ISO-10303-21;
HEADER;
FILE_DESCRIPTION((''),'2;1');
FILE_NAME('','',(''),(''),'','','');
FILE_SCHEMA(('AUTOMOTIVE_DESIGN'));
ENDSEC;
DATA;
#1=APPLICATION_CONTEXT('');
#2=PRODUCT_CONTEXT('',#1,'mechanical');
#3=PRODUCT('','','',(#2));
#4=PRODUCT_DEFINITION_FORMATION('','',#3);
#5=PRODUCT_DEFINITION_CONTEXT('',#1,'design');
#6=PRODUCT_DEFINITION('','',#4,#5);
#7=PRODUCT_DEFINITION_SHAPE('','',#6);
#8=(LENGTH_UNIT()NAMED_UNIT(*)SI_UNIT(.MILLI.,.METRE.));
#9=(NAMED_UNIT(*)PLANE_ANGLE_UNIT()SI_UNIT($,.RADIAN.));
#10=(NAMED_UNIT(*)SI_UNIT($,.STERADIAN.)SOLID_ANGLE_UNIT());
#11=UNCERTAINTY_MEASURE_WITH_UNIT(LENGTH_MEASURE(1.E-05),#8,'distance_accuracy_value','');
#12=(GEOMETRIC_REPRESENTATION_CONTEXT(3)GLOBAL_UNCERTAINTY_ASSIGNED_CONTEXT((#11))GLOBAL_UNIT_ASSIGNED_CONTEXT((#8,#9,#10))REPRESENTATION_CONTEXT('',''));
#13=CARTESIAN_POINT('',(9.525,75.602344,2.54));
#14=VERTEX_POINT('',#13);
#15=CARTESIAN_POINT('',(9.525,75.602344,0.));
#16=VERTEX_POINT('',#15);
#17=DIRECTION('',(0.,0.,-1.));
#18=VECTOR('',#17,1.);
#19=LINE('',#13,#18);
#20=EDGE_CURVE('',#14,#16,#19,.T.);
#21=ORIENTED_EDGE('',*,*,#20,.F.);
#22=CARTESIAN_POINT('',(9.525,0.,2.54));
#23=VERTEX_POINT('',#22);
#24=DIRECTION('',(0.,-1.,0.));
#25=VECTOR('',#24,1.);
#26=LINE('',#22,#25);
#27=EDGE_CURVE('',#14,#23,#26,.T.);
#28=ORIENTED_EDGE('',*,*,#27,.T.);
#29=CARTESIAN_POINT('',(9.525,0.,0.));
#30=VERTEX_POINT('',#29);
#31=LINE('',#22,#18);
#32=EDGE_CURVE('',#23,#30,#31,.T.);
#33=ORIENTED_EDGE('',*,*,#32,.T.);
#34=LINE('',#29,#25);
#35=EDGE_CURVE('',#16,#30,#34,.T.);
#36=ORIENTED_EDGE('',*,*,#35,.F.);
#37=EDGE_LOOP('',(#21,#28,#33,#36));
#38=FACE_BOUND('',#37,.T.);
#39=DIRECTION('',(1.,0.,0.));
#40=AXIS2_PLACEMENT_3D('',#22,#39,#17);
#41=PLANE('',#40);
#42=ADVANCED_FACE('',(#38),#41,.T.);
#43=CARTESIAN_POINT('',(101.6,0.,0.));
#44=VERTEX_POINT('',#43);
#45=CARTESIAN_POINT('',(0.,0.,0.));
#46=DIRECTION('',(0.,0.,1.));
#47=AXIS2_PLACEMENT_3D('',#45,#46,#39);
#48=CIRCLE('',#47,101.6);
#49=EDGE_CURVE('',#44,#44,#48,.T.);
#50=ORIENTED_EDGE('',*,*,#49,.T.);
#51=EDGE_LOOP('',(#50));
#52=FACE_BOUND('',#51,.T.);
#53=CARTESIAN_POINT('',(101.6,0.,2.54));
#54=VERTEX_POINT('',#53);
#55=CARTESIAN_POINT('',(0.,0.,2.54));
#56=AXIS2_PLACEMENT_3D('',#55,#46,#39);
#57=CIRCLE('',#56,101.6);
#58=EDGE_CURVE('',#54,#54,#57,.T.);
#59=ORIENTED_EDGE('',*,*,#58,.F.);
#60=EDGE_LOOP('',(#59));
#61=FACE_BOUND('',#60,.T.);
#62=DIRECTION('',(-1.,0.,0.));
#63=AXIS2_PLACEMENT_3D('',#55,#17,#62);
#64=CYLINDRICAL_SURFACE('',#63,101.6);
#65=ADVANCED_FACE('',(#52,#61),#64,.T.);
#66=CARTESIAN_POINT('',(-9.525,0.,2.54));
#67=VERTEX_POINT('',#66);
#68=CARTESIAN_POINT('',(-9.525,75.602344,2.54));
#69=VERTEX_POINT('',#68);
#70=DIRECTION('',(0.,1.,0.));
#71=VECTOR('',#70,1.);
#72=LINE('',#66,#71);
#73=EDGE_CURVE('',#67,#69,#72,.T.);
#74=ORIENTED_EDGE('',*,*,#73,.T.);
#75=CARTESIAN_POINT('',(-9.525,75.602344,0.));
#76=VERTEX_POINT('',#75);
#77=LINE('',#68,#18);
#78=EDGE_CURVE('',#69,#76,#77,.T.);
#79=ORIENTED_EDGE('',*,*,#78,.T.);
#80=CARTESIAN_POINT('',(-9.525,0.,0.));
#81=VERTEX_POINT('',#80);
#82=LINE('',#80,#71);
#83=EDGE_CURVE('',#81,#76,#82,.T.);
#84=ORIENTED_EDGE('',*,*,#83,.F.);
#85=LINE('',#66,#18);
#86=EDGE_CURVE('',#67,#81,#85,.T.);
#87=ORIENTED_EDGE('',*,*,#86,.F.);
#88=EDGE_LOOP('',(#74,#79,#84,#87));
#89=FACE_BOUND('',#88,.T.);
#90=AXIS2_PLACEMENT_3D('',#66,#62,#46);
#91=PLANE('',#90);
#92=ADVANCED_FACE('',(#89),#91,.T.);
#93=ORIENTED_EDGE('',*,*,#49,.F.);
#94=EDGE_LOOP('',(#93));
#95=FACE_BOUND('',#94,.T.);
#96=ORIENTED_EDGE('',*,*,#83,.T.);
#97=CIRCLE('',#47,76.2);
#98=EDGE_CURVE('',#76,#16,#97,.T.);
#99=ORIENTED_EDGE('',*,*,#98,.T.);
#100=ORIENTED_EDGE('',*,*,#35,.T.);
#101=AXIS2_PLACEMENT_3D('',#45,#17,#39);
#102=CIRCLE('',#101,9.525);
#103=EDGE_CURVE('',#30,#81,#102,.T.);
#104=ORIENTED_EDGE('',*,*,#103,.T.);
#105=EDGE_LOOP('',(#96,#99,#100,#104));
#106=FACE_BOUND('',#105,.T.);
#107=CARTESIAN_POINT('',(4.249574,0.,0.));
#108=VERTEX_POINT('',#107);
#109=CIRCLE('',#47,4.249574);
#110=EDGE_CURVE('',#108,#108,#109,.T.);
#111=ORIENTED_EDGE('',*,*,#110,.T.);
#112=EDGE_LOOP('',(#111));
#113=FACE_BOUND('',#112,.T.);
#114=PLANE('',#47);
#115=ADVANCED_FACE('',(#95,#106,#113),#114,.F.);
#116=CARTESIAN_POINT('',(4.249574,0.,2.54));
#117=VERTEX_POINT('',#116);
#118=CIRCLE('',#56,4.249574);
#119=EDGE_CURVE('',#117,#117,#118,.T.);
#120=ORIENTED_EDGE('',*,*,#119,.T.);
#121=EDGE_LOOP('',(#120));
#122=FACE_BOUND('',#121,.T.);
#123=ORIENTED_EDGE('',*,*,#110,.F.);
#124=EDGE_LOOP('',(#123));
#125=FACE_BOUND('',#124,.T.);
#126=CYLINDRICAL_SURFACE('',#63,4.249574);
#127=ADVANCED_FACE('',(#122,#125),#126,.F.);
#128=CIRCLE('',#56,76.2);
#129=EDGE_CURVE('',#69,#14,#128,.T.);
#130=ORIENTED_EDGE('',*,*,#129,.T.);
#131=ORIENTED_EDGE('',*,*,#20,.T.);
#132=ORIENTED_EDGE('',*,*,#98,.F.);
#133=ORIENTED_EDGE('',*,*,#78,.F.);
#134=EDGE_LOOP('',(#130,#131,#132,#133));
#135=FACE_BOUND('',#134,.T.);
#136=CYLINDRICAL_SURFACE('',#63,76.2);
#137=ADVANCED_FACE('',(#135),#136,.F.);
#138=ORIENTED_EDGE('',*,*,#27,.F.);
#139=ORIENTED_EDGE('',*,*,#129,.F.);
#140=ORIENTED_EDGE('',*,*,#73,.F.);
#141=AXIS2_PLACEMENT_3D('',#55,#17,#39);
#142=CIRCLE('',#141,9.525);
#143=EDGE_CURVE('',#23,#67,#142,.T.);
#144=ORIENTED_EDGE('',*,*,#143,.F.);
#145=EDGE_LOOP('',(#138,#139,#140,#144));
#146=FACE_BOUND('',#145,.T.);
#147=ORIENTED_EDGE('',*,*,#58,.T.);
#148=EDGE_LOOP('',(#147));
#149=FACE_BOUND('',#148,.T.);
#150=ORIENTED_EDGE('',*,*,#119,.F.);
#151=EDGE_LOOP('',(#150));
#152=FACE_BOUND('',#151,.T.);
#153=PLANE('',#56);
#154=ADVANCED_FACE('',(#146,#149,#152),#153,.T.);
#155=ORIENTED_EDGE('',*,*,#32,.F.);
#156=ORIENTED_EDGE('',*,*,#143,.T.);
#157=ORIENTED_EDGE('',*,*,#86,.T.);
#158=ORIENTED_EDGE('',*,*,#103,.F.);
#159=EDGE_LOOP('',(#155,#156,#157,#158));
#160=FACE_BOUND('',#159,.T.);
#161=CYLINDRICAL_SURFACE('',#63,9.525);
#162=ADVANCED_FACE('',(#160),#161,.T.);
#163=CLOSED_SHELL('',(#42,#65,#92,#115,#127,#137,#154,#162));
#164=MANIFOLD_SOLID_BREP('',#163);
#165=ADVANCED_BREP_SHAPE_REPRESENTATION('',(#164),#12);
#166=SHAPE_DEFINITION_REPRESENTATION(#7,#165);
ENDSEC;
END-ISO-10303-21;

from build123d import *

# Parameters (mm, degrees)
SKETCH1_R           = 101.6
SKETCH1_R_2         = 4.24957387
BOSS_EXTRUDE1_DEPTH = 2.54


with BuildPart() as part:
    # Sketch1 → Boss-Extrude1 (new body)
    with BuildSketch(Plane.XY):
        Circle(SKETCH1_R)
        Circle(SKETCH1_R_2, mode=Mode.SUBTRACT)
        with BuildLine():
            Line((-9.525, 0), (-9.525, 75.602343714))
            ThreePointArc((-9.525, 75.602343714), (0, -76.2), (9.525, 75.602343714))
            Line((9.525, 75.602343714), (9.525, 0))
            ThreePointArc((9.525, 0), (0, -9.525), (-9.525, 0))
        make_face(mode=Mode.SUBTRACT)
    extrude(amount=BOSS_EXTRUDE1_DEPTH)


solid = part.part
